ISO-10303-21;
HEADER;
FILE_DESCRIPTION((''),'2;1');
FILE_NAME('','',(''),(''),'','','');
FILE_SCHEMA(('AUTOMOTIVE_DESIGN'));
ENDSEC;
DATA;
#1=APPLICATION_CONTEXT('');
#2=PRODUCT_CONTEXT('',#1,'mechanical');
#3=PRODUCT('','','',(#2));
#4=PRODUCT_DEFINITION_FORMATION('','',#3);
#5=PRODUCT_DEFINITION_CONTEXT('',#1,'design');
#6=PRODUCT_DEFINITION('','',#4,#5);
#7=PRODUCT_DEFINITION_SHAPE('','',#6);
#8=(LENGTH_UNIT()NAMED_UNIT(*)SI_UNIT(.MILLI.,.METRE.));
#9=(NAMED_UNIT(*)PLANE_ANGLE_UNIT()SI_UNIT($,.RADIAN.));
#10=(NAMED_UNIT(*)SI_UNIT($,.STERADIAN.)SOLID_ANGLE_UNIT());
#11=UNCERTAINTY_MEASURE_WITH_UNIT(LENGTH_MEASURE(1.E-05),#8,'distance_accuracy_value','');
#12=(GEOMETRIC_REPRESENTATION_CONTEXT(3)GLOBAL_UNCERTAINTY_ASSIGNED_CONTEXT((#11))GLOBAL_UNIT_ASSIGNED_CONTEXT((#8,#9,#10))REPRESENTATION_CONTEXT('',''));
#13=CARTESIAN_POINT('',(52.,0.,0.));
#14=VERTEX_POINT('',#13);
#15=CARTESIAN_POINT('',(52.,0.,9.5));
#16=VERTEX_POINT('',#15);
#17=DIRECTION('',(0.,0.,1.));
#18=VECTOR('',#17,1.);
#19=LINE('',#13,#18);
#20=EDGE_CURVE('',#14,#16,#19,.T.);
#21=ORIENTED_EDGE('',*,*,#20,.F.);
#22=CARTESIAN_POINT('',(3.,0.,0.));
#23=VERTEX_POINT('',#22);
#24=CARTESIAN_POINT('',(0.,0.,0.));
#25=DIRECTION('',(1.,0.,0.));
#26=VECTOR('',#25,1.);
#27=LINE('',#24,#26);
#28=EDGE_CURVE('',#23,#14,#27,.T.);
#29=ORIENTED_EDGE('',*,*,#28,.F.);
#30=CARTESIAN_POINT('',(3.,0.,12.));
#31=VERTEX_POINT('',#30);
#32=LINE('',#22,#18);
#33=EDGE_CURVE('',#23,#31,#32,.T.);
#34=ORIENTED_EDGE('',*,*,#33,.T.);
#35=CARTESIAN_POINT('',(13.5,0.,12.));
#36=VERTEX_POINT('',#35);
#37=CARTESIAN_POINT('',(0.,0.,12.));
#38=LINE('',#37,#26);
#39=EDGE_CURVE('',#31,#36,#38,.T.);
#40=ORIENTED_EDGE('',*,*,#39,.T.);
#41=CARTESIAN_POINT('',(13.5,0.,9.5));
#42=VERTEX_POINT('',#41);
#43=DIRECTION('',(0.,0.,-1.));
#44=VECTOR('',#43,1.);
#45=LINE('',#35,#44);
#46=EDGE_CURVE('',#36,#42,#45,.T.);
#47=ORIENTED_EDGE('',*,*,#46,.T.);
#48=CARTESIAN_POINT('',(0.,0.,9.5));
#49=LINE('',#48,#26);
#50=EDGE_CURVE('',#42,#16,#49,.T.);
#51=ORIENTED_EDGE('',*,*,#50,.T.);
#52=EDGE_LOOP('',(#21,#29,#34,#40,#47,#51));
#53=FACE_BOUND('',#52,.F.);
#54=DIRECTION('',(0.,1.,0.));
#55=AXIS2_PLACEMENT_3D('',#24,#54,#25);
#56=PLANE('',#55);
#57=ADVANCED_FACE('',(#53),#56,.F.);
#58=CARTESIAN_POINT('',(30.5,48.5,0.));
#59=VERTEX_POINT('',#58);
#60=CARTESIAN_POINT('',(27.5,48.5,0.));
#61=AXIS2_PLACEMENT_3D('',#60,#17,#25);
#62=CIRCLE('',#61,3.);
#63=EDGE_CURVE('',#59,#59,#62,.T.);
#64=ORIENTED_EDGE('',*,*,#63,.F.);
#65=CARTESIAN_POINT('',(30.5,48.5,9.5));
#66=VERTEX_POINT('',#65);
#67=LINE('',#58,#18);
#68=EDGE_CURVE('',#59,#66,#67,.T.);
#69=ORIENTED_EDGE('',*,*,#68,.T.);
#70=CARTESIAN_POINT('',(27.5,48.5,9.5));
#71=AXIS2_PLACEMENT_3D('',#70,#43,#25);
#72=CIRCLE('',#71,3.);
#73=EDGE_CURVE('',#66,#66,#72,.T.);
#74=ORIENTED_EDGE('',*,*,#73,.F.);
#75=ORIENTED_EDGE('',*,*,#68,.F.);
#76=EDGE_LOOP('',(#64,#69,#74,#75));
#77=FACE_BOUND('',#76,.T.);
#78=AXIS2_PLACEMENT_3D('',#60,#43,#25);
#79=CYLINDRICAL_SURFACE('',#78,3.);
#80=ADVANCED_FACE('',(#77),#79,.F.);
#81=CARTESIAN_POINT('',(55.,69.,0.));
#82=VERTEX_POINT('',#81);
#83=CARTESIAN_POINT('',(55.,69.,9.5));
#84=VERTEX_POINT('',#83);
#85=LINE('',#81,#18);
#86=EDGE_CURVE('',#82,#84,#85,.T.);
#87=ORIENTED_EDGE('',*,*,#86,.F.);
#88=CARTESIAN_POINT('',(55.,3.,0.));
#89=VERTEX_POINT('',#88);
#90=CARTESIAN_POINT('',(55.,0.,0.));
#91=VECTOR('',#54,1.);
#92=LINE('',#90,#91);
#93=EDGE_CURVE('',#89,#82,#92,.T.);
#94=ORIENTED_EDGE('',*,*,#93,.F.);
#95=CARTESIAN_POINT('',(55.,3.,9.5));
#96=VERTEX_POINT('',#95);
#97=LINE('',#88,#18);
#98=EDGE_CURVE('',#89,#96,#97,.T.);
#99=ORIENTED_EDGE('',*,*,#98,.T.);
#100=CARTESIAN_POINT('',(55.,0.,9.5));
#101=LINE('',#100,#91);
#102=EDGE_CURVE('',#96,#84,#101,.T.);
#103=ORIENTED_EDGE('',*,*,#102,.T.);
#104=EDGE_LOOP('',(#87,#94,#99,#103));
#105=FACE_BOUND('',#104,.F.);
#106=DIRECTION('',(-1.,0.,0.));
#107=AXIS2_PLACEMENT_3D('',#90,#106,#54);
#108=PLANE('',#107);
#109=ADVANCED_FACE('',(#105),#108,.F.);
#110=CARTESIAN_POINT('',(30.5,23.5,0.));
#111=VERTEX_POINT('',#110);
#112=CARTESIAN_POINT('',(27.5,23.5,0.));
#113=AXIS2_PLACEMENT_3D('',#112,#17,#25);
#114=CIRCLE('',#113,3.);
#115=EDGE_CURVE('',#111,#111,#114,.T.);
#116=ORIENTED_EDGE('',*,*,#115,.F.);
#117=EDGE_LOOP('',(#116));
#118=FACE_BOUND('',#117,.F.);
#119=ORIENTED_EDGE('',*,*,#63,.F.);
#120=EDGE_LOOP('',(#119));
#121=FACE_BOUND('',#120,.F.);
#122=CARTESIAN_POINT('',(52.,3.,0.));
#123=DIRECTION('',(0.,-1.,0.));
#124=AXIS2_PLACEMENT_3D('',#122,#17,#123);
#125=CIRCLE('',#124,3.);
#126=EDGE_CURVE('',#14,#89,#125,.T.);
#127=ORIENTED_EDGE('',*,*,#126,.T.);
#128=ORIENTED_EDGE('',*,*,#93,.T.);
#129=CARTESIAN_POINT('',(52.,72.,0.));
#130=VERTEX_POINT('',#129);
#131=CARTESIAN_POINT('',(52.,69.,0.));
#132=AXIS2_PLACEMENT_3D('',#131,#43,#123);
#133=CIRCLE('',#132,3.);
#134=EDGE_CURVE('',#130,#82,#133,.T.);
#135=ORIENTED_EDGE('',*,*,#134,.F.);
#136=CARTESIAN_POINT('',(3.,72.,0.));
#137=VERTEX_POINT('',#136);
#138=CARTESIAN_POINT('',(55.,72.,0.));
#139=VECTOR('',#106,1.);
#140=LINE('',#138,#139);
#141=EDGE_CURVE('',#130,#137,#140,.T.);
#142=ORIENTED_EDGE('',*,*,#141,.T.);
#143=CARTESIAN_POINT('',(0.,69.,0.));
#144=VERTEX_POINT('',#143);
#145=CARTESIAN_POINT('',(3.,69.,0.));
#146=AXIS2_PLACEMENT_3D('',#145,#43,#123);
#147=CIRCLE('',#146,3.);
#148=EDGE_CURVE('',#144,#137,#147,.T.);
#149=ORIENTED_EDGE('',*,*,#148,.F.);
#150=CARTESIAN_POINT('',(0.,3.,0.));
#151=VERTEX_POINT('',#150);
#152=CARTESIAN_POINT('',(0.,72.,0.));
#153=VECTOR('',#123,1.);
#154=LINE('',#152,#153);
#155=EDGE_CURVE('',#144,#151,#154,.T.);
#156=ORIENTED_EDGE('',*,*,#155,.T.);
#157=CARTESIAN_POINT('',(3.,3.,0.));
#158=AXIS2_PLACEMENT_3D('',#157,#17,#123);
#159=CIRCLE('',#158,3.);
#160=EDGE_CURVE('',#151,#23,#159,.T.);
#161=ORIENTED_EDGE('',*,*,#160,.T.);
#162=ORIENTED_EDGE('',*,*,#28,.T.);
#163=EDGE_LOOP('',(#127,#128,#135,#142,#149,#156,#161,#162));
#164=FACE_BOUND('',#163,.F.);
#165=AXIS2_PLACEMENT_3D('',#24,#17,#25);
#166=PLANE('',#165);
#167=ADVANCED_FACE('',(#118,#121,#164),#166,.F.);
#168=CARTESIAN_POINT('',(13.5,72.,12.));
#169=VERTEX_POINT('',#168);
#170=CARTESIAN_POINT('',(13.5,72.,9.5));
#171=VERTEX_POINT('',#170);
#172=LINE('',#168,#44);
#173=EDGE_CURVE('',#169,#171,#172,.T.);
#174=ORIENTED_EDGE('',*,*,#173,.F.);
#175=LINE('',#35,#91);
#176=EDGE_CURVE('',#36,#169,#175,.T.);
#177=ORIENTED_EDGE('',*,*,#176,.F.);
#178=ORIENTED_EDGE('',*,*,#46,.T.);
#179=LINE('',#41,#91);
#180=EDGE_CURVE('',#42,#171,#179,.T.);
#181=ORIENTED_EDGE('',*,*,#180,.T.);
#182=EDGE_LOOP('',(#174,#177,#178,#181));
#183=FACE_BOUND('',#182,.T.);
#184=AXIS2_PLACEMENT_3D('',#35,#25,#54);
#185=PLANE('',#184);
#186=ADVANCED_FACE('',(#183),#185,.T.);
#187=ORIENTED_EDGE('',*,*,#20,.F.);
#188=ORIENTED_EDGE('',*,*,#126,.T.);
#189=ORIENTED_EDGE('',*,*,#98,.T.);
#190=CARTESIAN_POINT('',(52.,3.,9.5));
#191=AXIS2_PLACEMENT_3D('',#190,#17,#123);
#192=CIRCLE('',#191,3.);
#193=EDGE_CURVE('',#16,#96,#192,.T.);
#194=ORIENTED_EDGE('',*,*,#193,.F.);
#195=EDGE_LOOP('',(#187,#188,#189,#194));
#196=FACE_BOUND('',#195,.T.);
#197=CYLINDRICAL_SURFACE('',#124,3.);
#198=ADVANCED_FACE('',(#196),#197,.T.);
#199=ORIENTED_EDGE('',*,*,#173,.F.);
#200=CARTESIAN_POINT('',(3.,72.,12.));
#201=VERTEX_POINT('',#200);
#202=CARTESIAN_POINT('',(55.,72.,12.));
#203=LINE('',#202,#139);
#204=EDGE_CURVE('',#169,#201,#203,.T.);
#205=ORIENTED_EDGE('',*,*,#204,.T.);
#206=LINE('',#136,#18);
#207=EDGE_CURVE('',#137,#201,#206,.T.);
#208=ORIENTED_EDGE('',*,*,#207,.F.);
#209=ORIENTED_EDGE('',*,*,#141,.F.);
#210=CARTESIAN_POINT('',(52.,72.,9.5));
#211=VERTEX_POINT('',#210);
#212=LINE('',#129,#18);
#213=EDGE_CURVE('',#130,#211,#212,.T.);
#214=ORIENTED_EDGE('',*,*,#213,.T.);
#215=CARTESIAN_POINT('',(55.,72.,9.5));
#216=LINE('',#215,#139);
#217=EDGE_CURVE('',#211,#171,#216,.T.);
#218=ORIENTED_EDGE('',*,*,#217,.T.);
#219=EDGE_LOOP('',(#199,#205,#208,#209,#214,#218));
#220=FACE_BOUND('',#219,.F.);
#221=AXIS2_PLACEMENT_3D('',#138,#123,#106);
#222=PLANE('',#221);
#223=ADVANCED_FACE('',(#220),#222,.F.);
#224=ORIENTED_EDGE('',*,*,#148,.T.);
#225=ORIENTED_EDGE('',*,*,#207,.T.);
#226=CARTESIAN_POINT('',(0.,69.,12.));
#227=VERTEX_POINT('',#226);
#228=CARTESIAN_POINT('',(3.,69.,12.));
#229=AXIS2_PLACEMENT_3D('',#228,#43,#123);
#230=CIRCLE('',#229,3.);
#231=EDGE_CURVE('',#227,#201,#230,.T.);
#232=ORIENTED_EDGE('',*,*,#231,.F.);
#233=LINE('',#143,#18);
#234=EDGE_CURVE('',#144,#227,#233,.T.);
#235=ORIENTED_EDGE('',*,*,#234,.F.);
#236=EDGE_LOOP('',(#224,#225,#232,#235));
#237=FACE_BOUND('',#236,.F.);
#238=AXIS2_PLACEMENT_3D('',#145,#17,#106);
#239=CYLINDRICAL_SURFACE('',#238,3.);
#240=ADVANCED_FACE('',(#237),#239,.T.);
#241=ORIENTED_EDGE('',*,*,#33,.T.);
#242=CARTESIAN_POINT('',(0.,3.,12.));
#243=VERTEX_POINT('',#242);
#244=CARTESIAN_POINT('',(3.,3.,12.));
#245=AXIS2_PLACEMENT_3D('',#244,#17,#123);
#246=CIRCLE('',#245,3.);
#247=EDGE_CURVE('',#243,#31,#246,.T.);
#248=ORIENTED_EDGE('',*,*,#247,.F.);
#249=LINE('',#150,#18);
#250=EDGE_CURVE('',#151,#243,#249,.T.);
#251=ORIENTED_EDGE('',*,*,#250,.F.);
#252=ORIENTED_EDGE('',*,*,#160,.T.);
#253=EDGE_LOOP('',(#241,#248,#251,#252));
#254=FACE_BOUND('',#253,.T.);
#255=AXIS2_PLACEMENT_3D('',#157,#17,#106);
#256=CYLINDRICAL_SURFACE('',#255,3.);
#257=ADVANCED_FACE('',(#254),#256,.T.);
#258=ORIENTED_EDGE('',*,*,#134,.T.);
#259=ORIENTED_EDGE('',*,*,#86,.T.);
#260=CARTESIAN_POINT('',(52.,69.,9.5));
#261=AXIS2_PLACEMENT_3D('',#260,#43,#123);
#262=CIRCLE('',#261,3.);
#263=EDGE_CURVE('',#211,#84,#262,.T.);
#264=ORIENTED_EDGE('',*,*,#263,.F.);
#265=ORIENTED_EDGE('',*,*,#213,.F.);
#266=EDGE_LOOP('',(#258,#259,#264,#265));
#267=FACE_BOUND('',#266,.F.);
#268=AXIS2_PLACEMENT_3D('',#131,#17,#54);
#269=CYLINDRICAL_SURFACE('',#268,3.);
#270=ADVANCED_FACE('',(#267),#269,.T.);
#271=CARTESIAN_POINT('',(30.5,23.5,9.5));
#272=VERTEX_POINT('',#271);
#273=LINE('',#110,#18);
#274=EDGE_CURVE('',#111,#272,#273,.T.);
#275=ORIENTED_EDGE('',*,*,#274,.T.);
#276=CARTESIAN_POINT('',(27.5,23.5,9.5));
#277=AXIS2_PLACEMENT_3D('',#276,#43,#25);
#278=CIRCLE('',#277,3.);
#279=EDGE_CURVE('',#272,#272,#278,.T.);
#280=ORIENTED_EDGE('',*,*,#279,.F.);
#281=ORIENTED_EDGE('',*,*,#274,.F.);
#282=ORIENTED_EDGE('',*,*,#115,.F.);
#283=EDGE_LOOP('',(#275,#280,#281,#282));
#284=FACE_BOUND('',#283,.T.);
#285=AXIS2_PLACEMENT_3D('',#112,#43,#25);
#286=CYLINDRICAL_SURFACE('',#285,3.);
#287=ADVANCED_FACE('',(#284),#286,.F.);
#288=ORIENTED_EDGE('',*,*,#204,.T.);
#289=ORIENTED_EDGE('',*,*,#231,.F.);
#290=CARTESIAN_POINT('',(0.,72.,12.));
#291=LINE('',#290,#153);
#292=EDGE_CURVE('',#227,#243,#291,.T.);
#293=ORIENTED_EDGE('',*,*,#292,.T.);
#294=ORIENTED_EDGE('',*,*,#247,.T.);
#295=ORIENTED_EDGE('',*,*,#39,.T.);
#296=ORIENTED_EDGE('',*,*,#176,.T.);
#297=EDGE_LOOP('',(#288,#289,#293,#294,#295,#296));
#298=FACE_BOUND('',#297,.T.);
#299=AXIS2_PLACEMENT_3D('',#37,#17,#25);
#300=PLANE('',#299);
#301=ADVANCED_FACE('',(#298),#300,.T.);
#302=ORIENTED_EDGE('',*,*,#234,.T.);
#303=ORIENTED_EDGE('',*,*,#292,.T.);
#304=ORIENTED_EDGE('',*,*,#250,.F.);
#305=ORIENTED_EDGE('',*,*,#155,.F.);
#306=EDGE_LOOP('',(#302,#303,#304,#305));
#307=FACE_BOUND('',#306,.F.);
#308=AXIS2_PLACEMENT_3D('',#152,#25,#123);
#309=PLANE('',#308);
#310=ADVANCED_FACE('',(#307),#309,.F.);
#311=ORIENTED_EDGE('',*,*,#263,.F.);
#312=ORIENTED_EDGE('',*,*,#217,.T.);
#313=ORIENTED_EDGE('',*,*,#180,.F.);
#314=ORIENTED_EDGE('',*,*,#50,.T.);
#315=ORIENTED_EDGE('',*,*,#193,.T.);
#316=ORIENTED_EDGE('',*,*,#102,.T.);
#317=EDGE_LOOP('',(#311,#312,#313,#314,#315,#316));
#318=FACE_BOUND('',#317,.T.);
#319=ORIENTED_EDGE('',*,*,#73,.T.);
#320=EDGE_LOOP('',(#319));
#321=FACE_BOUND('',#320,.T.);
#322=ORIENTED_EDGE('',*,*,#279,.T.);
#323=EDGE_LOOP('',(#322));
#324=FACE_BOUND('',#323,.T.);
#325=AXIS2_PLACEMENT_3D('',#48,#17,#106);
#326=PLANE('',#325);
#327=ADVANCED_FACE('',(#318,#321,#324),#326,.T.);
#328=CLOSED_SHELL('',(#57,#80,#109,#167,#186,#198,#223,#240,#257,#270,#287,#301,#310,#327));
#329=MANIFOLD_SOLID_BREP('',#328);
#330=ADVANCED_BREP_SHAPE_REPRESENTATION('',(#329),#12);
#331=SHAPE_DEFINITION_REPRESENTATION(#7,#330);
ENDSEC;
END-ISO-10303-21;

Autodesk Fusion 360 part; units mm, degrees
sketch "Sketch1" plane through (0, 0, 0) normal (0, 0, 1) x (1, 0, 0)
  line L0 (0, 0) -> (55, 0)
  line L1 (55, 0) -> (55, 72)
  line L2 (55, 72) -> (0, 72)
  line L3 (0, 72) -> (0, 0)
  circle A0 centre (27.5, 23.5) radius 3
  line L4 (0, 36) -> (55, 36) construction
  circle A1 centre (27.5, 48.5) radius 3
  dimension "d1" = 55
  dimension "d2" = 72
  dimension "d8" = 6
  dimension "d9" = 25
extrude "Extrude1" add sketch "Sketch1" along normal blind 12
sketch "Sketch2" plane through (0, 0, 12) normal (0, 0, 1) x (-1, 0, 0)
  line L0 (0, -72) -> (0, 0)
  line L1 (0, 0) -> (-55, 0)
  line L2 (-55, 0) -> (-55, -72)
  line L3 (-55, -72) -> (0, -72)
  line L4 (-13.5, 0) -> (-13.5, -72)
  circle A0 centre (-27.5, -23.5) radius 3
  circle A1 centre (-27.5, -48.5) radius 3
  dimension "d5" = 13.5
extrude "Extrude2" cut sketch "Sketch2" against normal blind 2.5 contours L1 L2 L3 L4 | A0 | A1
fillet "Fillet1" radius 3 4 edges at (0, 0, 6) (55, 0, 4.75) (55, 72, 4.75) (0, 72, 6)
